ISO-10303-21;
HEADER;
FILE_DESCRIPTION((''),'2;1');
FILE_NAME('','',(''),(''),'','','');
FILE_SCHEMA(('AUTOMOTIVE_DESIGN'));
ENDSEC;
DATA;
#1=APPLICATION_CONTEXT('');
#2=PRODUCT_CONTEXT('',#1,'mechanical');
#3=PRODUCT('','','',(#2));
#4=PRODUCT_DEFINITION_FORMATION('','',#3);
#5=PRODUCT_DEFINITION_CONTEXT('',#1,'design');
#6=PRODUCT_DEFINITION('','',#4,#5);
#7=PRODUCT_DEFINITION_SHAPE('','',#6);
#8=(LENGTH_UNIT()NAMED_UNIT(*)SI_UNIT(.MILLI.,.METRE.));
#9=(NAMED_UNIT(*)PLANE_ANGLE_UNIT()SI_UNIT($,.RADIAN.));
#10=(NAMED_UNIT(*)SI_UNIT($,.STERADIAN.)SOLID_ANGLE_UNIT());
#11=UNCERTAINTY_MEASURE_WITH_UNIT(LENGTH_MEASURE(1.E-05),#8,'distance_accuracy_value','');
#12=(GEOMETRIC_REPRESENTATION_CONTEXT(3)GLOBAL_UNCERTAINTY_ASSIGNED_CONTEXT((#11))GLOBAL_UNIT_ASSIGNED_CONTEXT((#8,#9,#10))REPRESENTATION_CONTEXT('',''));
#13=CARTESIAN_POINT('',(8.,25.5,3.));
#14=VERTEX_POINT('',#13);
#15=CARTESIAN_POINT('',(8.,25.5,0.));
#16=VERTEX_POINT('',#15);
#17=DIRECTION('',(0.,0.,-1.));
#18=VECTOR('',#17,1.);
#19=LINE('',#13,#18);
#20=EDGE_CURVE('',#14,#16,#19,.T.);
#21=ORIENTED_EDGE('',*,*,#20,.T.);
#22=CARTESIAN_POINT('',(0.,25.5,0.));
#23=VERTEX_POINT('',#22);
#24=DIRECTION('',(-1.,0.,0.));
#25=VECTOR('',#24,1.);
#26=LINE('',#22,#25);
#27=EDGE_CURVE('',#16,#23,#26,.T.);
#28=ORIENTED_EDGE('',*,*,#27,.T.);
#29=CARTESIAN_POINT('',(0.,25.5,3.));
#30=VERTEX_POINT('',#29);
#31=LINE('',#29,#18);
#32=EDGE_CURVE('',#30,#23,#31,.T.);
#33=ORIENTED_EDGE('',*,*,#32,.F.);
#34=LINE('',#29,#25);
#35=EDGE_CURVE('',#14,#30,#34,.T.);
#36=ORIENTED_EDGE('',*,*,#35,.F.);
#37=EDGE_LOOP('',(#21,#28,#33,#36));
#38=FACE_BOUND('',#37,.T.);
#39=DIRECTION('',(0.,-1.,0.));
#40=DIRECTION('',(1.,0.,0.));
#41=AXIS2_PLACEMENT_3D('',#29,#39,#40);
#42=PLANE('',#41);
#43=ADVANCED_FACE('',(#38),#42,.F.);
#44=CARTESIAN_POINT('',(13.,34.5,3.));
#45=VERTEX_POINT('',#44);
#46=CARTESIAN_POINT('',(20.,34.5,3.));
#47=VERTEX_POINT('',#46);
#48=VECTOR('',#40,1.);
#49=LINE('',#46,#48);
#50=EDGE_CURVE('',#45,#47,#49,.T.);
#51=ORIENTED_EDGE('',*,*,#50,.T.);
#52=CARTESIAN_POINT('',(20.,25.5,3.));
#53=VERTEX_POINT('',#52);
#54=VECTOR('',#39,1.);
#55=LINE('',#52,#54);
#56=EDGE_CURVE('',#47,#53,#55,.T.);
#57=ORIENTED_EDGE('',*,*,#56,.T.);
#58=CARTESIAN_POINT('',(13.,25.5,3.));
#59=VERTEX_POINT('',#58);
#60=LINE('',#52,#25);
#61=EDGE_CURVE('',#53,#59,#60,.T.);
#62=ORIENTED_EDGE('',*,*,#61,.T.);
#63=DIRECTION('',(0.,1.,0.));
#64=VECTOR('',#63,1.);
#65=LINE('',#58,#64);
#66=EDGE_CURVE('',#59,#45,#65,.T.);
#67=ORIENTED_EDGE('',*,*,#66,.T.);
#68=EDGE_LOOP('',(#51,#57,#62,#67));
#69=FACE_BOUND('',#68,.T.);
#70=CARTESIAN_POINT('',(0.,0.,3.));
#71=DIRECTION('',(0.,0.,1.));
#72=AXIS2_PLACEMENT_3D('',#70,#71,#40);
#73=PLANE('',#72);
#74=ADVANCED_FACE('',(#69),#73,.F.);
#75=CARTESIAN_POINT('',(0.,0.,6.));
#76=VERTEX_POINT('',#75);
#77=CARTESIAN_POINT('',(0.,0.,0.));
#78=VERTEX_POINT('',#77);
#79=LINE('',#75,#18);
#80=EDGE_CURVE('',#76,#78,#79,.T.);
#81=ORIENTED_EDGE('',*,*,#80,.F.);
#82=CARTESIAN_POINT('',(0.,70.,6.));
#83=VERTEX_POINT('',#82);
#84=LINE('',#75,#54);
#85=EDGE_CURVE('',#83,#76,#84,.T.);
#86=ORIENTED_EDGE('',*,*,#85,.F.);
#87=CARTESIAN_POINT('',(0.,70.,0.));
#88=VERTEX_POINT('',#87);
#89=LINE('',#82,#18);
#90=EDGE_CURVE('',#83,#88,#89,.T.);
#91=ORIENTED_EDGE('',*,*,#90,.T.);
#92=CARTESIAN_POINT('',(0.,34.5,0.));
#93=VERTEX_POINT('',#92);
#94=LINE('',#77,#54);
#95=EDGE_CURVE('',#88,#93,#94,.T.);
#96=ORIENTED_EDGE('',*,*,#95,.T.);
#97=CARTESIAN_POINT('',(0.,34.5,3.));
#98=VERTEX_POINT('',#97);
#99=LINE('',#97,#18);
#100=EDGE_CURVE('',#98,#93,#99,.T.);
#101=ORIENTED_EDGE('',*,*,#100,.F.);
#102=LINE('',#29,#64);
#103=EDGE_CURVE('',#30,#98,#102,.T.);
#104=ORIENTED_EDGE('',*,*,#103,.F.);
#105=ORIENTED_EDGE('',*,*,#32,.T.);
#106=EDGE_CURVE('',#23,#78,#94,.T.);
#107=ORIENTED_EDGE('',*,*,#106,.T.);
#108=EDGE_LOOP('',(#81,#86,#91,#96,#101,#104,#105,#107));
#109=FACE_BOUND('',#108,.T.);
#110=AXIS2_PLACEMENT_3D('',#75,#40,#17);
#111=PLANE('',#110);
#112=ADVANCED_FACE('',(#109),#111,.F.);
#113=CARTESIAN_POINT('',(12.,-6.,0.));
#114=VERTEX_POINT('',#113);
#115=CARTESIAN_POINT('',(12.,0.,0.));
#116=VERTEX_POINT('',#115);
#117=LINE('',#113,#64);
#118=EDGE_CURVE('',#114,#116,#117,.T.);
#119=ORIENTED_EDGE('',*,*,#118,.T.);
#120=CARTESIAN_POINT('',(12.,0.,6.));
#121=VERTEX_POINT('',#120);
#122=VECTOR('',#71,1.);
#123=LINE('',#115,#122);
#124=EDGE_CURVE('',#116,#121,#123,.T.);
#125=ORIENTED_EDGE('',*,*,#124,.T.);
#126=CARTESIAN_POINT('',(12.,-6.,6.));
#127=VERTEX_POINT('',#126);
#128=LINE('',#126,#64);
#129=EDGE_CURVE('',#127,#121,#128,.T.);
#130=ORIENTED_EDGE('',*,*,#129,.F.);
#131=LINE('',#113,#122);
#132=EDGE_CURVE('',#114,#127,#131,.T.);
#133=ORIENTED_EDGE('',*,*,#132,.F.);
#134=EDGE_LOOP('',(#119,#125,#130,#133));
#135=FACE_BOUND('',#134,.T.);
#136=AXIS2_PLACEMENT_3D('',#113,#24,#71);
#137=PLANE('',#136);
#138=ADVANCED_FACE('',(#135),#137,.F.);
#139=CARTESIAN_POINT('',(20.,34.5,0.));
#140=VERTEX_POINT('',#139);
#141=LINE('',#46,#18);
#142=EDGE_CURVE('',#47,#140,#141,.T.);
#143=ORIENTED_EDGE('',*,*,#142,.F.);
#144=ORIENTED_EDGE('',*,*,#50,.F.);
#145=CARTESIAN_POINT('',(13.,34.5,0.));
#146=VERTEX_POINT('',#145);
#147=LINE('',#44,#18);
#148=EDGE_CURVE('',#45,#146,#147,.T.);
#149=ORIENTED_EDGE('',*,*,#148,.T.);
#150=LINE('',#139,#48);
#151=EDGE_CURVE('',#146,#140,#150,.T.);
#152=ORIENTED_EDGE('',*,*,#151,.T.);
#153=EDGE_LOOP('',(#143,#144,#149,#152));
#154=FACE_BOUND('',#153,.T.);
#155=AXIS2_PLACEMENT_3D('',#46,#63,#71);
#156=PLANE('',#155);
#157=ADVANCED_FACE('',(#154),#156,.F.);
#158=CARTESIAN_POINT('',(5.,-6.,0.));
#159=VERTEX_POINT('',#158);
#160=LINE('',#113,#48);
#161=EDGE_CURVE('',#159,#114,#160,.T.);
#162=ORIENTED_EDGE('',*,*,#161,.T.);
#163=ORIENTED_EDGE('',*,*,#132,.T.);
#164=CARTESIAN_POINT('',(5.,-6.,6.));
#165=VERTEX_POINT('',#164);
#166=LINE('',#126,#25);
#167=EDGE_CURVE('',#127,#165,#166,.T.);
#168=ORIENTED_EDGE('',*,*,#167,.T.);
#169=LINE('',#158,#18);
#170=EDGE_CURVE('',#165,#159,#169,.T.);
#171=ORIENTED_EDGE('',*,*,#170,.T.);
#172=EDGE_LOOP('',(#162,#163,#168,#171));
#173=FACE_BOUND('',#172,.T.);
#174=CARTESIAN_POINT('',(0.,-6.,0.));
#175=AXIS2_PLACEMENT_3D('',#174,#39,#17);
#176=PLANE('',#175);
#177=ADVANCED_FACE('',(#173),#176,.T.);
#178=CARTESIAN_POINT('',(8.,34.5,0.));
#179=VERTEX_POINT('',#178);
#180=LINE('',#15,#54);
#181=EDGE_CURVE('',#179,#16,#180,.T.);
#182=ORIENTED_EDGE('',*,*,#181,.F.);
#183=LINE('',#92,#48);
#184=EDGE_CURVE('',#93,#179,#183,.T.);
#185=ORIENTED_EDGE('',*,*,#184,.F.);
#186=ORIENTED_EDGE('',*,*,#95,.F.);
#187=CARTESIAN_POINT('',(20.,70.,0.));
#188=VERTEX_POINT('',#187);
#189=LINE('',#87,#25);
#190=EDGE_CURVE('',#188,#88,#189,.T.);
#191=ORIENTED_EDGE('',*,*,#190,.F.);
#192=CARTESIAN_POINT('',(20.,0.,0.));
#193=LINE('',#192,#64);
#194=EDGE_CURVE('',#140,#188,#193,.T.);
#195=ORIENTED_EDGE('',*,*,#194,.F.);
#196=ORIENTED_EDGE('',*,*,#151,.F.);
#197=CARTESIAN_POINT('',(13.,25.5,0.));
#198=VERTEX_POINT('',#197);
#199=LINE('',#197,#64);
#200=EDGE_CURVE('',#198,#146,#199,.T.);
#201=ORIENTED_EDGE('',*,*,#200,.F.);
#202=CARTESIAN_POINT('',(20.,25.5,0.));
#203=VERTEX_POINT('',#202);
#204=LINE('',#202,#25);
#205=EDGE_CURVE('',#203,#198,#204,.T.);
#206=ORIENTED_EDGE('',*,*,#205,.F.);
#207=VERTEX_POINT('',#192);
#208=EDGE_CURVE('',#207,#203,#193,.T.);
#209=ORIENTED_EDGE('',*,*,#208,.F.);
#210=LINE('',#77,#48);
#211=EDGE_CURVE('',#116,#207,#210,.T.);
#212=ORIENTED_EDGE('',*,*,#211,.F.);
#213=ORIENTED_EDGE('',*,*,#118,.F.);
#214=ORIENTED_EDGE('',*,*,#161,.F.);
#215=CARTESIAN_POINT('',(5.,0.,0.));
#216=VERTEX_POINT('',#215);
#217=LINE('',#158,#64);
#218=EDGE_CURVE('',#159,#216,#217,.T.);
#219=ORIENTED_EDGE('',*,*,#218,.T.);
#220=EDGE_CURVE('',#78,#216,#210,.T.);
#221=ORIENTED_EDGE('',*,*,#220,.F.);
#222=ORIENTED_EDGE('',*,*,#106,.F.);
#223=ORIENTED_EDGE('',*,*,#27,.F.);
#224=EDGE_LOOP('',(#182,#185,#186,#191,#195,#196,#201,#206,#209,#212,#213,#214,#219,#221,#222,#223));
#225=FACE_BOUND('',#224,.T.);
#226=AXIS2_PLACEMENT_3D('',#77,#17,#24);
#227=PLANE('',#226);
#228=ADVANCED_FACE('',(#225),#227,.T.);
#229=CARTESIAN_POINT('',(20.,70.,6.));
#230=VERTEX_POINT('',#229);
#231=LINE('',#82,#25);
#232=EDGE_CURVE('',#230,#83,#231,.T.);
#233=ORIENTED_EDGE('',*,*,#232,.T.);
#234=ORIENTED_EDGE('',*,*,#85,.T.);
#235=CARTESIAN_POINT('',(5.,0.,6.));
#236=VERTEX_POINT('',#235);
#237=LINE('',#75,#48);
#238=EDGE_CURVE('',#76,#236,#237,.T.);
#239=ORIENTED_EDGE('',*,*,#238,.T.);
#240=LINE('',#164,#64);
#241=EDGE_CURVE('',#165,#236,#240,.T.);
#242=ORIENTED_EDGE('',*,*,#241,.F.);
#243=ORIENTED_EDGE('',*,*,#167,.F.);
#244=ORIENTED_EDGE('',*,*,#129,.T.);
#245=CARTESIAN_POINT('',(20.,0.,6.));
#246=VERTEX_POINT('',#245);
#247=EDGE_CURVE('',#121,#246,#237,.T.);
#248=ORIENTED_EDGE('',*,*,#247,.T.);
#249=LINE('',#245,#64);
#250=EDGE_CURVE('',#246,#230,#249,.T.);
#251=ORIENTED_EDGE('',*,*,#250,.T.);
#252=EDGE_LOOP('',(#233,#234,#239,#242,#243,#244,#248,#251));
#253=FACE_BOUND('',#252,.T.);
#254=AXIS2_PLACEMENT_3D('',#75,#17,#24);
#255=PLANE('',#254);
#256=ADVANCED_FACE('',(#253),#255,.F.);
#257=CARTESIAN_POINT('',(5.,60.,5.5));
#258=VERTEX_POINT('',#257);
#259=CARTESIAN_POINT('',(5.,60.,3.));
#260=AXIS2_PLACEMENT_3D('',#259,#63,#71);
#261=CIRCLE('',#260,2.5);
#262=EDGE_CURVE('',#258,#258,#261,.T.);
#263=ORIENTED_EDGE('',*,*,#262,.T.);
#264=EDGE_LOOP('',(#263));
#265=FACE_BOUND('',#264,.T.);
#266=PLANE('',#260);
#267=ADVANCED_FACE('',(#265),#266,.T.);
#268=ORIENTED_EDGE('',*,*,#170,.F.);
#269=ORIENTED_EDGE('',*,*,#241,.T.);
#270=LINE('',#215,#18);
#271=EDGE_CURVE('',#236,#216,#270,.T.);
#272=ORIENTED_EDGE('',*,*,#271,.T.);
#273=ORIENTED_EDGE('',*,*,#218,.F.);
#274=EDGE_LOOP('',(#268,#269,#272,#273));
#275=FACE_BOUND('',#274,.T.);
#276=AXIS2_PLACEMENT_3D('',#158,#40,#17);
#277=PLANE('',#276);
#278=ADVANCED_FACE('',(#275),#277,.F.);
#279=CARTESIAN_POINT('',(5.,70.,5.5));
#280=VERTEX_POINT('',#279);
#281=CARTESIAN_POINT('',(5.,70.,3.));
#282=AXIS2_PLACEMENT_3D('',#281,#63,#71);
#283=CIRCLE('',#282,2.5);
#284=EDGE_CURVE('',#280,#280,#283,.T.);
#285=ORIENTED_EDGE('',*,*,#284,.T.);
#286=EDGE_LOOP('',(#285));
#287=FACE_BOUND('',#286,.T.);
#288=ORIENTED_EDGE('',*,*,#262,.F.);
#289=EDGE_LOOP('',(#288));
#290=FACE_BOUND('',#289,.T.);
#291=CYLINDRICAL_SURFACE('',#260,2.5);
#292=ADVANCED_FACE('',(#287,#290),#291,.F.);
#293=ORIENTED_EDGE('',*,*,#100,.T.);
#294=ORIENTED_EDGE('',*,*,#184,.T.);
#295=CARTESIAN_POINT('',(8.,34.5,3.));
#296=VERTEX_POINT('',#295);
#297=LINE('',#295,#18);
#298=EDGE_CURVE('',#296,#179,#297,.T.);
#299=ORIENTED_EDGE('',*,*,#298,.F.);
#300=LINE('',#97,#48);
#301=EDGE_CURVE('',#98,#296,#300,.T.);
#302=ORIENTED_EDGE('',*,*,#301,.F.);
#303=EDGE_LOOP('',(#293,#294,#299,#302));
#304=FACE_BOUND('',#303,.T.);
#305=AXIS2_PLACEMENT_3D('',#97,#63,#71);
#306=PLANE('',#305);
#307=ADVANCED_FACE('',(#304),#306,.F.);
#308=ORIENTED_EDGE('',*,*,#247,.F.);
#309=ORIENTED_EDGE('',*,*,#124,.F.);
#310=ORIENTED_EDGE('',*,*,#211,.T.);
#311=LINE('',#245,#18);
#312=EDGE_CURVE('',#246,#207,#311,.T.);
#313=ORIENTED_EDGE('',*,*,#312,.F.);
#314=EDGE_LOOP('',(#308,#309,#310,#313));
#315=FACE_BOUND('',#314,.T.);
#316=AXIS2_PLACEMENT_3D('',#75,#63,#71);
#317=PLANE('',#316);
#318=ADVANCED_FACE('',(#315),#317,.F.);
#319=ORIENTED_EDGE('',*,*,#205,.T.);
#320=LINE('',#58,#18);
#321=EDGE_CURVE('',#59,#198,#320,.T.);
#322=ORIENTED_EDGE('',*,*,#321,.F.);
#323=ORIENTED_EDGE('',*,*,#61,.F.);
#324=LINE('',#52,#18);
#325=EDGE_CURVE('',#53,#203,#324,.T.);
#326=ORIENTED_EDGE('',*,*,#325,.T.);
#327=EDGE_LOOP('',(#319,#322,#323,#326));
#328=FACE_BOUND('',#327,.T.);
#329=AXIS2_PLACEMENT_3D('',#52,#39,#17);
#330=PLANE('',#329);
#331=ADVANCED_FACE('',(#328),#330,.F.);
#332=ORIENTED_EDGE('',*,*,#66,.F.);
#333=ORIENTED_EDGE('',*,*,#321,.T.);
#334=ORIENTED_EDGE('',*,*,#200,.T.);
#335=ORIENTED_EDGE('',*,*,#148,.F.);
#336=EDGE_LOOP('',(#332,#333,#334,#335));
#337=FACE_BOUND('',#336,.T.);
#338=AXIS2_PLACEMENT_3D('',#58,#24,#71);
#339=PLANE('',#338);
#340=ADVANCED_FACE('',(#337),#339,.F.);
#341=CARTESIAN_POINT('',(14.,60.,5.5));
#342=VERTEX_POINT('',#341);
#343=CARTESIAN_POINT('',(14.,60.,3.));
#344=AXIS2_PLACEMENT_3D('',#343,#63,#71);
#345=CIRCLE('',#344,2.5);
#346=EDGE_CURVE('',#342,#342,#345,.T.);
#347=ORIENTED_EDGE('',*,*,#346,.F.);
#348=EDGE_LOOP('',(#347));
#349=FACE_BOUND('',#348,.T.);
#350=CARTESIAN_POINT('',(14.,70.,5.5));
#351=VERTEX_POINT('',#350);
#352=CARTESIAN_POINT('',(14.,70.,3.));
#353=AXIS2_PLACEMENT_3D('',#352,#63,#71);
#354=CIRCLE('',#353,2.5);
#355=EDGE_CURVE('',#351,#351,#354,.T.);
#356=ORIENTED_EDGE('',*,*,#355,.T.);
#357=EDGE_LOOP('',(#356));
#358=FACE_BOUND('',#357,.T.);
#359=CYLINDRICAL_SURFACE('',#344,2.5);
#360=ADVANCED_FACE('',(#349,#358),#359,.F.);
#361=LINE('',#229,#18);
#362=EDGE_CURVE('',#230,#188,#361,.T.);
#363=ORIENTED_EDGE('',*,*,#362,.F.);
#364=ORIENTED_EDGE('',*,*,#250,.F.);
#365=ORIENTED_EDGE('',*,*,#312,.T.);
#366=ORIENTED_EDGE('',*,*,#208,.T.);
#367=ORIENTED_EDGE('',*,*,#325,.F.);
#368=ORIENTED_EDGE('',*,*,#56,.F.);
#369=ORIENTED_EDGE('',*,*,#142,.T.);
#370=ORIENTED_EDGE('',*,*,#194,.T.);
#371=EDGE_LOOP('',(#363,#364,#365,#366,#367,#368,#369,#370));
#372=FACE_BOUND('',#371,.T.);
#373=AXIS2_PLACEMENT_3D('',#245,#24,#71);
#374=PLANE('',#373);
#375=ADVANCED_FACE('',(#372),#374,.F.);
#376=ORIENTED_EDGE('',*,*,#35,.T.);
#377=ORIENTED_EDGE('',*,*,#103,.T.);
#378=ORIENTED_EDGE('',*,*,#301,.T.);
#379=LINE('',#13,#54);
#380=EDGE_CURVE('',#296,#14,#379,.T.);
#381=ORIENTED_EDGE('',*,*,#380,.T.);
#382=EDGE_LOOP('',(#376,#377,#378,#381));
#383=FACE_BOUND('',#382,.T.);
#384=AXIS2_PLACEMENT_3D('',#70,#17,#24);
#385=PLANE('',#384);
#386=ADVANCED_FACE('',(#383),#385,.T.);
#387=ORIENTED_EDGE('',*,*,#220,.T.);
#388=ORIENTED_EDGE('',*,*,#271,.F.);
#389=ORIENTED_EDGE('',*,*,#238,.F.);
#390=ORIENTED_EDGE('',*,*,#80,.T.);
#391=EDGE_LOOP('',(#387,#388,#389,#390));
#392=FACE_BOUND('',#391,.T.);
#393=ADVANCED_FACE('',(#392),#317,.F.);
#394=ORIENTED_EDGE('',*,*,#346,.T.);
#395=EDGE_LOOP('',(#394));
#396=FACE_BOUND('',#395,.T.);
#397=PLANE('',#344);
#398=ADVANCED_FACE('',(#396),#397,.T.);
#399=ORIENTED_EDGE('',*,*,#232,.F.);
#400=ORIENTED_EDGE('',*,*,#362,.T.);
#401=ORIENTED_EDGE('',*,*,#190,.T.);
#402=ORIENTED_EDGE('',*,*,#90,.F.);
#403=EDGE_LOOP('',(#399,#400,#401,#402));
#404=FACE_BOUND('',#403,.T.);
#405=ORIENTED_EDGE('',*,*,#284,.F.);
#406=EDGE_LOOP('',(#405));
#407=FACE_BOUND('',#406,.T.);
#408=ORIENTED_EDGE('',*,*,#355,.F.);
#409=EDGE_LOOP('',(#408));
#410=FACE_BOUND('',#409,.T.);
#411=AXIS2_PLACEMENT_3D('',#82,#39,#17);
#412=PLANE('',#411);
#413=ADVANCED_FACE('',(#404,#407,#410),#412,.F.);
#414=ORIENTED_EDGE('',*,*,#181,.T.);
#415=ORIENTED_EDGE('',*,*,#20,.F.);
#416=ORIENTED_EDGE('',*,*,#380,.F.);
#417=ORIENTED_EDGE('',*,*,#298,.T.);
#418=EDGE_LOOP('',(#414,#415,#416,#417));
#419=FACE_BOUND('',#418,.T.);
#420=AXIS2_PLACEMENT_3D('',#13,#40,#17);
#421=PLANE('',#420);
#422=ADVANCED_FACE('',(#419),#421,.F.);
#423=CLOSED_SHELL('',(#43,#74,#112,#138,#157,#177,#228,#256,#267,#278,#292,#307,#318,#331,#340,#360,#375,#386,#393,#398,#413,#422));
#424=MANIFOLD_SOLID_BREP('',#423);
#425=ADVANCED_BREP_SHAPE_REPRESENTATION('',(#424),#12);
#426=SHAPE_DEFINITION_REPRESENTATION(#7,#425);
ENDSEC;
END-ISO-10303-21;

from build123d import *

# Parameters (mm, degrees)
ESQUISSE1_W                = 20
ESQUISSE1_H                = 70
BOSS_EXTRU_1_DEPTH         = 6
ESQUISSE2_W                = 8
ESQUISSE2_H                = 9
ESQUISSE2_W_2              = 7
ENL_V_MAT_EXTRU_1_DEPTH    = 3
ESQUISSE3_W                = 7
ESQUISSE3_H                = 6
BOSS_EXTRU_2_DEPTH         = 6
ESQUISSE4_R                = 2.5
ENL_V_MAT_EXTRU_2_DEPTH    = 10
R_P_TITION_LIN_AIRE1_COUNT = 2
R_P_TITION_LIN_AIRE1_PITCH = 9


with BuildPart() as part:
    # Esquisse1 → Boss.-Extru.1 (new body)
    with BuildSketch(Plane.XY):
        with Locations((10, 35)):
            Rectangle(ESQUISSE1_W, ESQUISSE1_H)
    extrude(amount=BOSS_EXTRU_1_DEPTH)

    # Esquisse2 → Enlèv. mat.-Extru.1 (cut)
    with BuildSketch(Plane(origin=(0, 0, 0), x_dir=(-1, 0, 0), z_dir=(0, 0, -1))):
        with Locations((-4, 30)):
            Rectangle(ESQUISSE2_W, ESQUISSE2_H)
        with Locations((-16.5, 30)):
            Rectangle(ESQUISSE2_W_2, ESQUISSE2_H)
    extrude(amount=-ENL_V_MAT_EXTRU_1_DEPTH, mode=Mode.SUBTRACT)

    # Esquisse3 → Boss.-Extru.2 (add)
    with BuildSketch(Plane.XZ):
        with Locations((8.5, 3)):
            Rectangle(ESQUISSE3_W, ESQUISSE3_H)
    extrude(amount=BOSS_EXTRU_2_DEPTH)

    # Esquisse4 → Enlèv. mat.-Extru.2 (cut)
    with BuildSketch(Plane(origin=(0, 70, 0), x_dir=(1, 0, 0), z_dir=(0, 1, 0))):
        with Locations(Location((5, -3, 0), (0, 0, 270))):
            Circle(ESQUISSE4_R)
    enl_v_mat_extru_2 = extrude(amount=-ENL_V_MAT_EXTRU_2_DEPTH, mode=Mode.SUBTRACT)

    # Répétition linéaire1: Enlèv. mat.-Extru.2 ×2
    with Locations(*[(i * R_P_TITION_LIN_AIRE1_PITCH, 0, 0) for i in range(1, R_P_TITION_LIN_AIRE1_COUNT)]):
        add(enl_v_mat_extru_2, mode=Mode.SUBTRACT)


solid = part.part
